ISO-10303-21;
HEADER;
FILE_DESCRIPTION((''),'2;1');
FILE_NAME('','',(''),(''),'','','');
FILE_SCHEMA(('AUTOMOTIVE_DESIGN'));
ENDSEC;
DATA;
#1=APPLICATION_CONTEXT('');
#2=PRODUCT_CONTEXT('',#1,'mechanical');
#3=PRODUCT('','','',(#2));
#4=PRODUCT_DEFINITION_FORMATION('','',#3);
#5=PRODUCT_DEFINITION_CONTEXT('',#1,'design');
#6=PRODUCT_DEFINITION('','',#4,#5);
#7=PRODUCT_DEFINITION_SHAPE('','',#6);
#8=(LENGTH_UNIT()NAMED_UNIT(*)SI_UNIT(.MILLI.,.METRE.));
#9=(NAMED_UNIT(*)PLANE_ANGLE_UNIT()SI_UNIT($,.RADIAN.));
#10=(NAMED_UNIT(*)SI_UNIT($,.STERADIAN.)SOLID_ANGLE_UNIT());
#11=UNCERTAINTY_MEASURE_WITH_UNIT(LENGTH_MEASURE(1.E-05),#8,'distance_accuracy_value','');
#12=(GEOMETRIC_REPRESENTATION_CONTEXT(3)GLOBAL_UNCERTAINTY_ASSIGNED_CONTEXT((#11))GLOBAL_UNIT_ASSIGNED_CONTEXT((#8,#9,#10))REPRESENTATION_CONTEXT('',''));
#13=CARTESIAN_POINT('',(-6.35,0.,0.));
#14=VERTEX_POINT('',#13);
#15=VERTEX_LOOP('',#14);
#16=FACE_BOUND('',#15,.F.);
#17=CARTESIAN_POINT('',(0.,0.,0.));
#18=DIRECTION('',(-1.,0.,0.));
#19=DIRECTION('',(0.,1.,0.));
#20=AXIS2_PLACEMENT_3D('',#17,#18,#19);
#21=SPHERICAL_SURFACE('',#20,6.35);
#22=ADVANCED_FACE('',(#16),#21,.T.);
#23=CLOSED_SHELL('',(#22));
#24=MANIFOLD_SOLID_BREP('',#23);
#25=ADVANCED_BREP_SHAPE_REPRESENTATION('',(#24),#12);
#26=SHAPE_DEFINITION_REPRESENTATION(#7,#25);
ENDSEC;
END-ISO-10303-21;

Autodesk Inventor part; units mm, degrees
ref_plane "YZ Plane" through (0, 0, 0) normal (1, 0, 0) x (0, 1, 0)
ref_plane "XZ Plane" through (0, 0, 0) normal (0, 1, 0) x (-1, 0, 0)
ref_plane "XY Plane" through (0, 0, 0) normal (0, 0, 1) x (1, 0, 0)
sketch "Sketch1" plane through (0, 0, 0) normal (0, 0, 1) x (1, 0, 0)
  arc A0 (6.35, 0) -> (-6.35, 0) centre (0, 0) ccw
  line L0 (-6.35, 0) -> (6.35, 0)
  point P0 (0, 0)
  dimension "d0" = 6.35
revolve "Revolution1" add sketch "Sketch1" angle 360 about axis through (-6.35, 0, 0) along (1, 0, 0)
properties part number "ball bearing .5in"
